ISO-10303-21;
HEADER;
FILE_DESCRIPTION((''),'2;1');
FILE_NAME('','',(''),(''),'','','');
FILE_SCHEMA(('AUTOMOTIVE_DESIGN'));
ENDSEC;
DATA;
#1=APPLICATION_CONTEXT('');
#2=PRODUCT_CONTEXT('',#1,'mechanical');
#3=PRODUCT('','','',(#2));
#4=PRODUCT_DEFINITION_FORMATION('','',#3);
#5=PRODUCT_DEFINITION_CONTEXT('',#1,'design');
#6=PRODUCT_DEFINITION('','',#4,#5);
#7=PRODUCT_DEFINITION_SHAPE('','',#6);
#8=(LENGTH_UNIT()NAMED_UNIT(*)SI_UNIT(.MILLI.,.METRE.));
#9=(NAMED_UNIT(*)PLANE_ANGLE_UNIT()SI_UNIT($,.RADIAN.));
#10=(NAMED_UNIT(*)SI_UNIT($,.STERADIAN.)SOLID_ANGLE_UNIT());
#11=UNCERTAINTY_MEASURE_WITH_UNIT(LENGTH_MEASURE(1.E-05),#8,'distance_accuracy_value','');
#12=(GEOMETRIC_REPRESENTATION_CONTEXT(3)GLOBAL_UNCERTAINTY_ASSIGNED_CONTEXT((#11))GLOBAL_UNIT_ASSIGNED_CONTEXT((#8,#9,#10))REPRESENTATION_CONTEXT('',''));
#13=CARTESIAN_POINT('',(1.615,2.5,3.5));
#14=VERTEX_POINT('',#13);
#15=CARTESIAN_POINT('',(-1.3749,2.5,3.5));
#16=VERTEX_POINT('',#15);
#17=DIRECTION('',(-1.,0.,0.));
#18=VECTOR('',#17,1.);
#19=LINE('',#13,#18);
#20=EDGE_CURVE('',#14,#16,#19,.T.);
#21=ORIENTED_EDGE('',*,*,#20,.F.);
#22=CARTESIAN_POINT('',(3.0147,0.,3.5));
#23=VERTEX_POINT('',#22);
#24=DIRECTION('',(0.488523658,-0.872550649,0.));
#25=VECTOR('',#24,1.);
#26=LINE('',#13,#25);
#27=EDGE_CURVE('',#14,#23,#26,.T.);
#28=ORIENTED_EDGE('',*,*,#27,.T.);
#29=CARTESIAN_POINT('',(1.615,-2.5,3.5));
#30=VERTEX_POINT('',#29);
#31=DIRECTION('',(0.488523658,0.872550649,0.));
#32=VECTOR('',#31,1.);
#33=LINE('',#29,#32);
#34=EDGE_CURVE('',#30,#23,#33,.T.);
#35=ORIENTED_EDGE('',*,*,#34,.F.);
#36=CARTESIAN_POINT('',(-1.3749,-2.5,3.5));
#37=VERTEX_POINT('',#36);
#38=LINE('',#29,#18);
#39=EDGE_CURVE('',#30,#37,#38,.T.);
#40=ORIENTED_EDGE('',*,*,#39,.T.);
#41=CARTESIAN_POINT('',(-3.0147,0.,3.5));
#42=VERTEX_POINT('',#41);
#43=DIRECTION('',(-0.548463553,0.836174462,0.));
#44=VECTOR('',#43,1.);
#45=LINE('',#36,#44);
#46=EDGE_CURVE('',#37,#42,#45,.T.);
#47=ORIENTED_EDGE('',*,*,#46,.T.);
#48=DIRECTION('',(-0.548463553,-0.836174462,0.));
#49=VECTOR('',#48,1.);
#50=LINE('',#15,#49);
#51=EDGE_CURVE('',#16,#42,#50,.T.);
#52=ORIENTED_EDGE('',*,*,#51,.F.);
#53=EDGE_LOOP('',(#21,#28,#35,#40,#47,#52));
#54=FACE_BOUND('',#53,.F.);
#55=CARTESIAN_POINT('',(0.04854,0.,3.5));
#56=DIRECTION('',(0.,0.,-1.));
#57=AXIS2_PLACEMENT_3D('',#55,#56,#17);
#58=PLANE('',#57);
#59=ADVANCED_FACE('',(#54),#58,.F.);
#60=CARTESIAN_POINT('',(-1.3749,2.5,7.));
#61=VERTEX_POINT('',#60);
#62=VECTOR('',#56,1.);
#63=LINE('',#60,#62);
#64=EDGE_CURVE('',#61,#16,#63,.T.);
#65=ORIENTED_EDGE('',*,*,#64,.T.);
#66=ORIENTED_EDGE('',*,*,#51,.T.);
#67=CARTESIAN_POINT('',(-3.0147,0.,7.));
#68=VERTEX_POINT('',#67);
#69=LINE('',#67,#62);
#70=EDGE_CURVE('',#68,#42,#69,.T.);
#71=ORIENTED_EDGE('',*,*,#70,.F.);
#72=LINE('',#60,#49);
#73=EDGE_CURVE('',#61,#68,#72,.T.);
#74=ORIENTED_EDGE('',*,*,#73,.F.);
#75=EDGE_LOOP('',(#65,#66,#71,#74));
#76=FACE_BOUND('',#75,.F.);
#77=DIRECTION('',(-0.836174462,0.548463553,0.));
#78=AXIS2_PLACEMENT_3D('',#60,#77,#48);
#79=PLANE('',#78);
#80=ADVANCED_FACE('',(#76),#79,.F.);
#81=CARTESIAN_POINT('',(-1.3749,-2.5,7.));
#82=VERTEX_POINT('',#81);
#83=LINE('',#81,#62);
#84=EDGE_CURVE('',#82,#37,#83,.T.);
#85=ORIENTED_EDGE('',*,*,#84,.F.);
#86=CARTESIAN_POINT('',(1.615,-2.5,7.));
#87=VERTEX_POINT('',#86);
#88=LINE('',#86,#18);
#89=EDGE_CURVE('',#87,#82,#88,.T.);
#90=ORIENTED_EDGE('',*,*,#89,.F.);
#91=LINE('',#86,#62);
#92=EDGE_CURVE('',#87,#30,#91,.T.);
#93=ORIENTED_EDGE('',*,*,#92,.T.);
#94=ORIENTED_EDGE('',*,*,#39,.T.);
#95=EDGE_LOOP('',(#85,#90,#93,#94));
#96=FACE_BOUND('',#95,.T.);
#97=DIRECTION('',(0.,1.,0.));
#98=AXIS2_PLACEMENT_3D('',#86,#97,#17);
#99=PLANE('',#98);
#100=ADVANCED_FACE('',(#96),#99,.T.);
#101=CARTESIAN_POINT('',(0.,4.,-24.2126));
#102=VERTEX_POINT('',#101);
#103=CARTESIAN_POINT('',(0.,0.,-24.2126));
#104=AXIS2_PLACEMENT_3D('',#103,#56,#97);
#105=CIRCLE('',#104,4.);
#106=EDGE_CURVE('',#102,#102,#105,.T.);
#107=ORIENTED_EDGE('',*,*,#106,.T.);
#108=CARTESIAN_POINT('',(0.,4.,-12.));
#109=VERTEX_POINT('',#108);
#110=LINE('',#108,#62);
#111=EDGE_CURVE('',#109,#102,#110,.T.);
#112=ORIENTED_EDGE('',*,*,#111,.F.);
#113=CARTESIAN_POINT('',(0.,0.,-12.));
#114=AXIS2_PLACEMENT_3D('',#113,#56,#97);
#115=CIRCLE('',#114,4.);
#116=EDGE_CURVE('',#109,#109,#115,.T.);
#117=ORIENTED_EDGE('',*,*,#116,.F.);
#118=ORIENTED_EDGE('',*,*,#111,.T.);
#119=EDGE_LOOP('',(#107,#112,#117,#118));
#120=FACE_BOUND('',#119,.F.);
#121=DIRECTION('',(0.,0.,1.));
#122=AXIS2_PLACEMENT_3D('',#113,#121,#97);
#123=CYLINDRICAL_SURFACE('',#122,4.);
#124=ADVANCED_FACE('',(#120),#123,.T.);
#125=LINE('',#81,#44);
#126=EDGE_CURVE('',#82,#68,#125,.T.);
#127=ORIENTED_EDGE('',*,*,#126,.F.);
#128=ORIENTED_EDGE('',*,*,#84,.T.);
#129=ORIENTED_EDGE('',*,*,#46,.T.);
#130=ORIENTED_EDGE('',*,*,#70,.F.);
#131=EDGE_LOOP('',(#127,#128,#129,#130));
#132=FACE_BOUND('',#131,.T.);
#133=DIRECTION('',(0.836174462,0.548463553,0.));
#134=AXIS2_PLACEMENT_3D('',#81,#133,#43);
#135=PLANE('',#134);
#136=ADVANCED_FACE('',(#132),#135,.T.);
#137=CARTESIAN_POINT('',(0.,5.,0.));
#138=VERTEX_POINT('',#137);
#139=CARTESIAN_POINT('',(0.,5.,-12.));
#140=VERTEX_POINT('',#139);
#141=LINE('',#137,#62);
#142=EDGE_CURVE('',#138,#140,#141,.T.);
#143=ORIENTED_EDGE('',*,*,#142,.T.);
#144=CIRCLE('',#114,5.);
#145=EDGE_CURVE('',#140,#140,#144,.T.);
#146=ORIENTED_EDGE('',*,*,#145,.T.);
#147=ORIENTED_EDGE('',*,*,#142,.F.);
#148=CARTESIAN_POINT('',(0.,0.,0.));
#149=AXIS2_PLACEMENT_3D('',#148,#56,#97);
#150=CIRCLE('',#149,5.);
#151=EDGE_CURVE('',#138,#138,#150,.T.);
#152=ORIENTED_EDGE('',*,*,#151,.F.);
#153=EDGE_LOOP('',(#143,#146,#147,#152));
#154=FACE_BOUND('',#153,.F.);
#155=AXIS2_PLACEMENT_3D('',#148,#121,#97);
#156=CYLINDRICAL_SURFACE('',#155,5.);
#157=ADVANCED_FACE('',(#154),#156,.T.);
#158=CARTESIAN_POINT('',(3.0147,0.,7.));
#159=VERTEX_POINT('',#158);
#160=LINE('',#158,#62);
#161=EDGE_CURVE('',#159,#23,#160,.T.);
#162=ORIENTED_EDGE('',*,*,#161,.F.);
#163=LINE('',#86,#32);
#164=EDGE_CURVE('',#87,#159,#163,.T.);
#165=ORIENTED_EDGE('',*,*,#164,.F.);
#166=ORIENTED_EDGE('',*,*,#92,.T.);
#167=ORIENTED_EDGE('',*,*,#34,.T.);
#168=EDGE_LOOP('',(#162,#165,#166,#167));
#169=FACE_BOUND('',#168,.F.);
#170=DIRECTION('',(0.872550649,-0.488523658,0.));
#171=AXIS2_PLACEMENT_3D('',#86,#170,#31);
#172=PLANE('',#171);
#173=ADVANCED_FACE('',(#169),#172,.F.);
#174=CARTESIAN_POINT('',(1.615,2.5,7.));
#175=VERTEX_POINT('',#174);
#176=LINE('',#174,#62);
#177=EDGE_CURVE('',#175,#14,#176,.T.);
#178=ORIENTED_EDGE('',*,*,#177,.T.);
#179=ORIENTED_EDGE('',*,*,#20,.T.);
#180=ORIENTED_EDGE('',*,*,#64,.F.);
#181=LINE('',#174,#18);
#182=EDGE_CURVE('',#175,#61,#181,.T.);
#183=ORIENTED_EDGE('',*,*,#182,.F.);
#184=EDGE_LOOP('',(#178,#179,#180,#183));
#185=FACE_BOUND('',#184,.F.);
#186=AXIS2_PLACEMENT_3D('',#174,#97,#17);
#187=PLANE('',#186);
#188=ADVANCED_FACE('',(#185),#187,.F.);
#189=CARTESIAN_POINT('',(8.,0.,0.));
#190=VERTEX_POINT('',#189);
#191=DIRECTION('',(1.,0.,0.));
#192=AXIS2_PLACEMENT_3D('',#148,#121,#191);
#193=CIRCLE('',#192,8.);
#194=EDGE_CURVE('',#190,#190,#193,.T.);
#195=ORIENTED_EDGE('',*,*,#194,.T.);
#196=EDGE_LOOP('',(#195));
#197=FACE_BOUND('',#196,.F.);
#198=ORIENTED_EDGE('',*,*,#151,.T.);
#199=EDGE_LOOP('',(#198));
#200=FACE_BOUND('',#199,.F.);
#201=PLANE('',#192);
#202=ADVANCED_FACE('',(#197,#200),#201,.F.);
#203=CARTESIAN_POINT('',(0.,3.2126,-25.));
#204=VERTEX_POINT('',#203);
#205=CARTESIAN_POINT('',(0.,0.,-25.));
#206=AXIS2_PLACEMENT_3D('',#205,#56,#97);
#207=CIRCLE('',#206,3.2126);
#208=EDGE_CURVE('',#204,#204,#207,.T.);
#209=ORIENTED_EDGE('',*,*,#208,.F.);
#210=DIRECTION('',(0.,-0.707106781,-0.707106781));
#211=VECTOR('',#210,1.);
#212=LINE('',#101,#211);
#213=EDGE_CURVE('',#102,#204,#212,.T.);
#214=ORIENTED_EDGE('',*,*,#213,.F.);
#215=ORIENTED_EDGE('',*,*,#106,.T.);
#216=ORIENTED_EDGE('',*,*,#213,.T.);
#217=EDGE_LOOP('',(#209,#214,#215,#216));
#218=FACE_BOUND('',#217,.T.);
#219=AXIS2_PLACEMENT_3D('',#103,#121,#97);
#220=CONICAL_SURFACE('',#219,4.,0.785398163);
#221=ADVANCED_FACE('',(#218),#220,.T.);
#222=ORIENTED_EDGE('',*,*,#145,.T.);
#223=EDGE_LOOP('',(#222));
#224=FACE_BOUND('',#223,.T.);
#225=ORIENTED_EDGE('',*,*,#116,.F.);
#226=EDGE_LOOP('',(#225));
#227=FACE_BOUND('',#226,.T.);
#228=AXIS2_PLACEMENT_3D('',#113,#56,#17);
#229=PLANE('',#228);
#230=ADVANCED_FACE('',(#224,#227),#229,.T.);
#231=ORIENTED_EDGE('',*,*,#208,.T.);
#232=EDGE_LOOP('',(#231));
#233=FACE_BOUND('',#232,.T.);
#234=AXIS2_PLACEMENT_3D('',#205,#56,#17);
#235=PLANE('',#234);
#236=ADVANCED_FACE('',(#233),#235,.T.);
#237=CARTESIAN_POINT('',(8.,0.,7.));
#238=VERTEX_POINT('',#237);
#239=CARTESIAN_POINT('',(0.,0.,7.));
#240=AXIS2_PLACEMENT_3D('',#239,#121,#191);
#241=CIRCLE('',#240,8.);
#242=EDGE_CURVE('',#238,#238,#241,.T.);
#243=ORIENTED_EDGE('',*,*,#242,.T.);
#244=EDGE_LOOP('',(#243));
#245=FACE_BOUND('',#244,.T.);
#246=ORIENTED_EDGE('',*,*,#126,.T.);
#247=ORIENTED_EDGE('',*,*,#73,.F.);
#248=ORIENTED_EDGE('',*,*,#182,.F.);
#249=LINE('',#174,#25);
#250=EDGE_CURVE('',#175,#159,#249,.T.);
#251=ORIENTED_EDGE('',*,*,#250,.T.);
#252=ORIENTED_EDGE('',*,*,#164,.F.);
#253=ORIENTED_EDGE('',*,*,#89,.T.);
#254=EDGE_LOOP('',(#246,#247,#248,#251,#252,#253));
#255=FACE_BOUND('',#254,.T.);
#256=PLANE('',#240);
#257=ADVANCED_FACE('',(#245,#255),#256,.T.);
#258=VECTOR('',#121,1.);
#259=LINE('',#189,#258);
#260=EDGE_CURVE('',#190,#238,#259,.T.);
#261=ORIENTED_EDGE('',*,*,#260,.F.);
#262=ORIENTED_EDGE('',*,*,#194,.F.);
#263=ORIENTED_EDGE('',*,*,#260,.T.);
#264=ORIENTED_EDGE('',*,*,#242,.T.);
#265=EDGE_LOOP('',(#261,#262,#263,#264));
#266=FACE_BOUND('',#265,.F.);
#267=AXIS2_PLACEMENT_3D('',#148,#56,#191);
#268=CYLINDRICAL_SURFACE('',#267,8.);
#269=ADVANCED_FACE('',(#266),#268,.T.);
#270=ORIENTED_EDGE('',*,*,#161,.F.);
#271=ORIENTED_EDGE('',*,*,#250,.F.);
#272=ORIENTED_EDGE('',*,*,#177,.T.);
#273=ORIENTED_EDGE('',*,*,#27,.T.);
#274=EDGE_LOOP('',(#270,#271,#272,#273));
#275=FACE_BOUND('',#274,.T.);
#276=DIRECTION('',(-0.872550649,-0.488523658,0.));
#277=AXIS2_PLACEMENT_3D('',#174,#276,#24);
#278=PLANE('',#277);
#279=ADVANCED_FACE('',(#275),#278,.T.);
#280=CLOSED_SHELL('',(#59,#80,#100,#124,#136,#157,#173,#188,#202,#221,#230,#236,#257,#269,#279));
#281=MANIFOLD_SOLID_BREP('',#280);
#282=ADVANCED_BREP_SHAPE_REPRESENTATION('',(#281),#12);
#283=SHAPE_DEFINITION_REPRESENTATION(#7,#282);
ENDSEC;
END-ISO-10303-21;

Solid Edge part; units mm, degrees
sketch "Sketch1" plane through (0, 0, 0) normal (0, 0, 1) x (1, 0, 0)
  circle A0 centre (0, 0) radius 8
  dimension "D1" = 16
extrude "Protrusion1" add sketch "Sketch1" along normal blind 7
sketch "Sketch2" plane through (0, 0, 0) normal (0, 0, -1) x (0, 1, 0)
  circle A0 centre (0, 0) radius 5
  dimension "D1" = 10
extrude "Protrusion2" add sketch "Sketch2" along normal blind 12
sketch "Sketch3" plane through (0, 0, -12) normal (0, 0, -1) x (0, 1, 0)
  circle A0 centre (0, 0) radius 4
  dimension "D1" = 8
extrude "Protrusion3" add sketch "Sketch3" along normal blind 13
sketch "Sketch4" plane through (0, 0, 7) normal (0, 0, 1) x (0, 1, 0)
  line L0 (-2.5, 1.3749) -> (0, 3.0147)
  line L1 (-2.5, -1.615) -> (-2.5, 1.3749)
  line L2 (-2.5, -1.615) -> (0, -3.0147)
  line L3 (2.5, -1.615) -> (0, -3.0147)
  line L4 (2.5, -1.615) -> (2.5, 1.3749)
  line L5 (2.5, 1.3749) -> (0, 3.0147)
  dimension "D1" = 5
extrude "Cutout1" cut sketch "Sketch4" against normal blind 3.5
chamfer "Chamfer1" distance 0.7874 angle 45 1 edges at (0, -4, -25)
properties part number "185800"
